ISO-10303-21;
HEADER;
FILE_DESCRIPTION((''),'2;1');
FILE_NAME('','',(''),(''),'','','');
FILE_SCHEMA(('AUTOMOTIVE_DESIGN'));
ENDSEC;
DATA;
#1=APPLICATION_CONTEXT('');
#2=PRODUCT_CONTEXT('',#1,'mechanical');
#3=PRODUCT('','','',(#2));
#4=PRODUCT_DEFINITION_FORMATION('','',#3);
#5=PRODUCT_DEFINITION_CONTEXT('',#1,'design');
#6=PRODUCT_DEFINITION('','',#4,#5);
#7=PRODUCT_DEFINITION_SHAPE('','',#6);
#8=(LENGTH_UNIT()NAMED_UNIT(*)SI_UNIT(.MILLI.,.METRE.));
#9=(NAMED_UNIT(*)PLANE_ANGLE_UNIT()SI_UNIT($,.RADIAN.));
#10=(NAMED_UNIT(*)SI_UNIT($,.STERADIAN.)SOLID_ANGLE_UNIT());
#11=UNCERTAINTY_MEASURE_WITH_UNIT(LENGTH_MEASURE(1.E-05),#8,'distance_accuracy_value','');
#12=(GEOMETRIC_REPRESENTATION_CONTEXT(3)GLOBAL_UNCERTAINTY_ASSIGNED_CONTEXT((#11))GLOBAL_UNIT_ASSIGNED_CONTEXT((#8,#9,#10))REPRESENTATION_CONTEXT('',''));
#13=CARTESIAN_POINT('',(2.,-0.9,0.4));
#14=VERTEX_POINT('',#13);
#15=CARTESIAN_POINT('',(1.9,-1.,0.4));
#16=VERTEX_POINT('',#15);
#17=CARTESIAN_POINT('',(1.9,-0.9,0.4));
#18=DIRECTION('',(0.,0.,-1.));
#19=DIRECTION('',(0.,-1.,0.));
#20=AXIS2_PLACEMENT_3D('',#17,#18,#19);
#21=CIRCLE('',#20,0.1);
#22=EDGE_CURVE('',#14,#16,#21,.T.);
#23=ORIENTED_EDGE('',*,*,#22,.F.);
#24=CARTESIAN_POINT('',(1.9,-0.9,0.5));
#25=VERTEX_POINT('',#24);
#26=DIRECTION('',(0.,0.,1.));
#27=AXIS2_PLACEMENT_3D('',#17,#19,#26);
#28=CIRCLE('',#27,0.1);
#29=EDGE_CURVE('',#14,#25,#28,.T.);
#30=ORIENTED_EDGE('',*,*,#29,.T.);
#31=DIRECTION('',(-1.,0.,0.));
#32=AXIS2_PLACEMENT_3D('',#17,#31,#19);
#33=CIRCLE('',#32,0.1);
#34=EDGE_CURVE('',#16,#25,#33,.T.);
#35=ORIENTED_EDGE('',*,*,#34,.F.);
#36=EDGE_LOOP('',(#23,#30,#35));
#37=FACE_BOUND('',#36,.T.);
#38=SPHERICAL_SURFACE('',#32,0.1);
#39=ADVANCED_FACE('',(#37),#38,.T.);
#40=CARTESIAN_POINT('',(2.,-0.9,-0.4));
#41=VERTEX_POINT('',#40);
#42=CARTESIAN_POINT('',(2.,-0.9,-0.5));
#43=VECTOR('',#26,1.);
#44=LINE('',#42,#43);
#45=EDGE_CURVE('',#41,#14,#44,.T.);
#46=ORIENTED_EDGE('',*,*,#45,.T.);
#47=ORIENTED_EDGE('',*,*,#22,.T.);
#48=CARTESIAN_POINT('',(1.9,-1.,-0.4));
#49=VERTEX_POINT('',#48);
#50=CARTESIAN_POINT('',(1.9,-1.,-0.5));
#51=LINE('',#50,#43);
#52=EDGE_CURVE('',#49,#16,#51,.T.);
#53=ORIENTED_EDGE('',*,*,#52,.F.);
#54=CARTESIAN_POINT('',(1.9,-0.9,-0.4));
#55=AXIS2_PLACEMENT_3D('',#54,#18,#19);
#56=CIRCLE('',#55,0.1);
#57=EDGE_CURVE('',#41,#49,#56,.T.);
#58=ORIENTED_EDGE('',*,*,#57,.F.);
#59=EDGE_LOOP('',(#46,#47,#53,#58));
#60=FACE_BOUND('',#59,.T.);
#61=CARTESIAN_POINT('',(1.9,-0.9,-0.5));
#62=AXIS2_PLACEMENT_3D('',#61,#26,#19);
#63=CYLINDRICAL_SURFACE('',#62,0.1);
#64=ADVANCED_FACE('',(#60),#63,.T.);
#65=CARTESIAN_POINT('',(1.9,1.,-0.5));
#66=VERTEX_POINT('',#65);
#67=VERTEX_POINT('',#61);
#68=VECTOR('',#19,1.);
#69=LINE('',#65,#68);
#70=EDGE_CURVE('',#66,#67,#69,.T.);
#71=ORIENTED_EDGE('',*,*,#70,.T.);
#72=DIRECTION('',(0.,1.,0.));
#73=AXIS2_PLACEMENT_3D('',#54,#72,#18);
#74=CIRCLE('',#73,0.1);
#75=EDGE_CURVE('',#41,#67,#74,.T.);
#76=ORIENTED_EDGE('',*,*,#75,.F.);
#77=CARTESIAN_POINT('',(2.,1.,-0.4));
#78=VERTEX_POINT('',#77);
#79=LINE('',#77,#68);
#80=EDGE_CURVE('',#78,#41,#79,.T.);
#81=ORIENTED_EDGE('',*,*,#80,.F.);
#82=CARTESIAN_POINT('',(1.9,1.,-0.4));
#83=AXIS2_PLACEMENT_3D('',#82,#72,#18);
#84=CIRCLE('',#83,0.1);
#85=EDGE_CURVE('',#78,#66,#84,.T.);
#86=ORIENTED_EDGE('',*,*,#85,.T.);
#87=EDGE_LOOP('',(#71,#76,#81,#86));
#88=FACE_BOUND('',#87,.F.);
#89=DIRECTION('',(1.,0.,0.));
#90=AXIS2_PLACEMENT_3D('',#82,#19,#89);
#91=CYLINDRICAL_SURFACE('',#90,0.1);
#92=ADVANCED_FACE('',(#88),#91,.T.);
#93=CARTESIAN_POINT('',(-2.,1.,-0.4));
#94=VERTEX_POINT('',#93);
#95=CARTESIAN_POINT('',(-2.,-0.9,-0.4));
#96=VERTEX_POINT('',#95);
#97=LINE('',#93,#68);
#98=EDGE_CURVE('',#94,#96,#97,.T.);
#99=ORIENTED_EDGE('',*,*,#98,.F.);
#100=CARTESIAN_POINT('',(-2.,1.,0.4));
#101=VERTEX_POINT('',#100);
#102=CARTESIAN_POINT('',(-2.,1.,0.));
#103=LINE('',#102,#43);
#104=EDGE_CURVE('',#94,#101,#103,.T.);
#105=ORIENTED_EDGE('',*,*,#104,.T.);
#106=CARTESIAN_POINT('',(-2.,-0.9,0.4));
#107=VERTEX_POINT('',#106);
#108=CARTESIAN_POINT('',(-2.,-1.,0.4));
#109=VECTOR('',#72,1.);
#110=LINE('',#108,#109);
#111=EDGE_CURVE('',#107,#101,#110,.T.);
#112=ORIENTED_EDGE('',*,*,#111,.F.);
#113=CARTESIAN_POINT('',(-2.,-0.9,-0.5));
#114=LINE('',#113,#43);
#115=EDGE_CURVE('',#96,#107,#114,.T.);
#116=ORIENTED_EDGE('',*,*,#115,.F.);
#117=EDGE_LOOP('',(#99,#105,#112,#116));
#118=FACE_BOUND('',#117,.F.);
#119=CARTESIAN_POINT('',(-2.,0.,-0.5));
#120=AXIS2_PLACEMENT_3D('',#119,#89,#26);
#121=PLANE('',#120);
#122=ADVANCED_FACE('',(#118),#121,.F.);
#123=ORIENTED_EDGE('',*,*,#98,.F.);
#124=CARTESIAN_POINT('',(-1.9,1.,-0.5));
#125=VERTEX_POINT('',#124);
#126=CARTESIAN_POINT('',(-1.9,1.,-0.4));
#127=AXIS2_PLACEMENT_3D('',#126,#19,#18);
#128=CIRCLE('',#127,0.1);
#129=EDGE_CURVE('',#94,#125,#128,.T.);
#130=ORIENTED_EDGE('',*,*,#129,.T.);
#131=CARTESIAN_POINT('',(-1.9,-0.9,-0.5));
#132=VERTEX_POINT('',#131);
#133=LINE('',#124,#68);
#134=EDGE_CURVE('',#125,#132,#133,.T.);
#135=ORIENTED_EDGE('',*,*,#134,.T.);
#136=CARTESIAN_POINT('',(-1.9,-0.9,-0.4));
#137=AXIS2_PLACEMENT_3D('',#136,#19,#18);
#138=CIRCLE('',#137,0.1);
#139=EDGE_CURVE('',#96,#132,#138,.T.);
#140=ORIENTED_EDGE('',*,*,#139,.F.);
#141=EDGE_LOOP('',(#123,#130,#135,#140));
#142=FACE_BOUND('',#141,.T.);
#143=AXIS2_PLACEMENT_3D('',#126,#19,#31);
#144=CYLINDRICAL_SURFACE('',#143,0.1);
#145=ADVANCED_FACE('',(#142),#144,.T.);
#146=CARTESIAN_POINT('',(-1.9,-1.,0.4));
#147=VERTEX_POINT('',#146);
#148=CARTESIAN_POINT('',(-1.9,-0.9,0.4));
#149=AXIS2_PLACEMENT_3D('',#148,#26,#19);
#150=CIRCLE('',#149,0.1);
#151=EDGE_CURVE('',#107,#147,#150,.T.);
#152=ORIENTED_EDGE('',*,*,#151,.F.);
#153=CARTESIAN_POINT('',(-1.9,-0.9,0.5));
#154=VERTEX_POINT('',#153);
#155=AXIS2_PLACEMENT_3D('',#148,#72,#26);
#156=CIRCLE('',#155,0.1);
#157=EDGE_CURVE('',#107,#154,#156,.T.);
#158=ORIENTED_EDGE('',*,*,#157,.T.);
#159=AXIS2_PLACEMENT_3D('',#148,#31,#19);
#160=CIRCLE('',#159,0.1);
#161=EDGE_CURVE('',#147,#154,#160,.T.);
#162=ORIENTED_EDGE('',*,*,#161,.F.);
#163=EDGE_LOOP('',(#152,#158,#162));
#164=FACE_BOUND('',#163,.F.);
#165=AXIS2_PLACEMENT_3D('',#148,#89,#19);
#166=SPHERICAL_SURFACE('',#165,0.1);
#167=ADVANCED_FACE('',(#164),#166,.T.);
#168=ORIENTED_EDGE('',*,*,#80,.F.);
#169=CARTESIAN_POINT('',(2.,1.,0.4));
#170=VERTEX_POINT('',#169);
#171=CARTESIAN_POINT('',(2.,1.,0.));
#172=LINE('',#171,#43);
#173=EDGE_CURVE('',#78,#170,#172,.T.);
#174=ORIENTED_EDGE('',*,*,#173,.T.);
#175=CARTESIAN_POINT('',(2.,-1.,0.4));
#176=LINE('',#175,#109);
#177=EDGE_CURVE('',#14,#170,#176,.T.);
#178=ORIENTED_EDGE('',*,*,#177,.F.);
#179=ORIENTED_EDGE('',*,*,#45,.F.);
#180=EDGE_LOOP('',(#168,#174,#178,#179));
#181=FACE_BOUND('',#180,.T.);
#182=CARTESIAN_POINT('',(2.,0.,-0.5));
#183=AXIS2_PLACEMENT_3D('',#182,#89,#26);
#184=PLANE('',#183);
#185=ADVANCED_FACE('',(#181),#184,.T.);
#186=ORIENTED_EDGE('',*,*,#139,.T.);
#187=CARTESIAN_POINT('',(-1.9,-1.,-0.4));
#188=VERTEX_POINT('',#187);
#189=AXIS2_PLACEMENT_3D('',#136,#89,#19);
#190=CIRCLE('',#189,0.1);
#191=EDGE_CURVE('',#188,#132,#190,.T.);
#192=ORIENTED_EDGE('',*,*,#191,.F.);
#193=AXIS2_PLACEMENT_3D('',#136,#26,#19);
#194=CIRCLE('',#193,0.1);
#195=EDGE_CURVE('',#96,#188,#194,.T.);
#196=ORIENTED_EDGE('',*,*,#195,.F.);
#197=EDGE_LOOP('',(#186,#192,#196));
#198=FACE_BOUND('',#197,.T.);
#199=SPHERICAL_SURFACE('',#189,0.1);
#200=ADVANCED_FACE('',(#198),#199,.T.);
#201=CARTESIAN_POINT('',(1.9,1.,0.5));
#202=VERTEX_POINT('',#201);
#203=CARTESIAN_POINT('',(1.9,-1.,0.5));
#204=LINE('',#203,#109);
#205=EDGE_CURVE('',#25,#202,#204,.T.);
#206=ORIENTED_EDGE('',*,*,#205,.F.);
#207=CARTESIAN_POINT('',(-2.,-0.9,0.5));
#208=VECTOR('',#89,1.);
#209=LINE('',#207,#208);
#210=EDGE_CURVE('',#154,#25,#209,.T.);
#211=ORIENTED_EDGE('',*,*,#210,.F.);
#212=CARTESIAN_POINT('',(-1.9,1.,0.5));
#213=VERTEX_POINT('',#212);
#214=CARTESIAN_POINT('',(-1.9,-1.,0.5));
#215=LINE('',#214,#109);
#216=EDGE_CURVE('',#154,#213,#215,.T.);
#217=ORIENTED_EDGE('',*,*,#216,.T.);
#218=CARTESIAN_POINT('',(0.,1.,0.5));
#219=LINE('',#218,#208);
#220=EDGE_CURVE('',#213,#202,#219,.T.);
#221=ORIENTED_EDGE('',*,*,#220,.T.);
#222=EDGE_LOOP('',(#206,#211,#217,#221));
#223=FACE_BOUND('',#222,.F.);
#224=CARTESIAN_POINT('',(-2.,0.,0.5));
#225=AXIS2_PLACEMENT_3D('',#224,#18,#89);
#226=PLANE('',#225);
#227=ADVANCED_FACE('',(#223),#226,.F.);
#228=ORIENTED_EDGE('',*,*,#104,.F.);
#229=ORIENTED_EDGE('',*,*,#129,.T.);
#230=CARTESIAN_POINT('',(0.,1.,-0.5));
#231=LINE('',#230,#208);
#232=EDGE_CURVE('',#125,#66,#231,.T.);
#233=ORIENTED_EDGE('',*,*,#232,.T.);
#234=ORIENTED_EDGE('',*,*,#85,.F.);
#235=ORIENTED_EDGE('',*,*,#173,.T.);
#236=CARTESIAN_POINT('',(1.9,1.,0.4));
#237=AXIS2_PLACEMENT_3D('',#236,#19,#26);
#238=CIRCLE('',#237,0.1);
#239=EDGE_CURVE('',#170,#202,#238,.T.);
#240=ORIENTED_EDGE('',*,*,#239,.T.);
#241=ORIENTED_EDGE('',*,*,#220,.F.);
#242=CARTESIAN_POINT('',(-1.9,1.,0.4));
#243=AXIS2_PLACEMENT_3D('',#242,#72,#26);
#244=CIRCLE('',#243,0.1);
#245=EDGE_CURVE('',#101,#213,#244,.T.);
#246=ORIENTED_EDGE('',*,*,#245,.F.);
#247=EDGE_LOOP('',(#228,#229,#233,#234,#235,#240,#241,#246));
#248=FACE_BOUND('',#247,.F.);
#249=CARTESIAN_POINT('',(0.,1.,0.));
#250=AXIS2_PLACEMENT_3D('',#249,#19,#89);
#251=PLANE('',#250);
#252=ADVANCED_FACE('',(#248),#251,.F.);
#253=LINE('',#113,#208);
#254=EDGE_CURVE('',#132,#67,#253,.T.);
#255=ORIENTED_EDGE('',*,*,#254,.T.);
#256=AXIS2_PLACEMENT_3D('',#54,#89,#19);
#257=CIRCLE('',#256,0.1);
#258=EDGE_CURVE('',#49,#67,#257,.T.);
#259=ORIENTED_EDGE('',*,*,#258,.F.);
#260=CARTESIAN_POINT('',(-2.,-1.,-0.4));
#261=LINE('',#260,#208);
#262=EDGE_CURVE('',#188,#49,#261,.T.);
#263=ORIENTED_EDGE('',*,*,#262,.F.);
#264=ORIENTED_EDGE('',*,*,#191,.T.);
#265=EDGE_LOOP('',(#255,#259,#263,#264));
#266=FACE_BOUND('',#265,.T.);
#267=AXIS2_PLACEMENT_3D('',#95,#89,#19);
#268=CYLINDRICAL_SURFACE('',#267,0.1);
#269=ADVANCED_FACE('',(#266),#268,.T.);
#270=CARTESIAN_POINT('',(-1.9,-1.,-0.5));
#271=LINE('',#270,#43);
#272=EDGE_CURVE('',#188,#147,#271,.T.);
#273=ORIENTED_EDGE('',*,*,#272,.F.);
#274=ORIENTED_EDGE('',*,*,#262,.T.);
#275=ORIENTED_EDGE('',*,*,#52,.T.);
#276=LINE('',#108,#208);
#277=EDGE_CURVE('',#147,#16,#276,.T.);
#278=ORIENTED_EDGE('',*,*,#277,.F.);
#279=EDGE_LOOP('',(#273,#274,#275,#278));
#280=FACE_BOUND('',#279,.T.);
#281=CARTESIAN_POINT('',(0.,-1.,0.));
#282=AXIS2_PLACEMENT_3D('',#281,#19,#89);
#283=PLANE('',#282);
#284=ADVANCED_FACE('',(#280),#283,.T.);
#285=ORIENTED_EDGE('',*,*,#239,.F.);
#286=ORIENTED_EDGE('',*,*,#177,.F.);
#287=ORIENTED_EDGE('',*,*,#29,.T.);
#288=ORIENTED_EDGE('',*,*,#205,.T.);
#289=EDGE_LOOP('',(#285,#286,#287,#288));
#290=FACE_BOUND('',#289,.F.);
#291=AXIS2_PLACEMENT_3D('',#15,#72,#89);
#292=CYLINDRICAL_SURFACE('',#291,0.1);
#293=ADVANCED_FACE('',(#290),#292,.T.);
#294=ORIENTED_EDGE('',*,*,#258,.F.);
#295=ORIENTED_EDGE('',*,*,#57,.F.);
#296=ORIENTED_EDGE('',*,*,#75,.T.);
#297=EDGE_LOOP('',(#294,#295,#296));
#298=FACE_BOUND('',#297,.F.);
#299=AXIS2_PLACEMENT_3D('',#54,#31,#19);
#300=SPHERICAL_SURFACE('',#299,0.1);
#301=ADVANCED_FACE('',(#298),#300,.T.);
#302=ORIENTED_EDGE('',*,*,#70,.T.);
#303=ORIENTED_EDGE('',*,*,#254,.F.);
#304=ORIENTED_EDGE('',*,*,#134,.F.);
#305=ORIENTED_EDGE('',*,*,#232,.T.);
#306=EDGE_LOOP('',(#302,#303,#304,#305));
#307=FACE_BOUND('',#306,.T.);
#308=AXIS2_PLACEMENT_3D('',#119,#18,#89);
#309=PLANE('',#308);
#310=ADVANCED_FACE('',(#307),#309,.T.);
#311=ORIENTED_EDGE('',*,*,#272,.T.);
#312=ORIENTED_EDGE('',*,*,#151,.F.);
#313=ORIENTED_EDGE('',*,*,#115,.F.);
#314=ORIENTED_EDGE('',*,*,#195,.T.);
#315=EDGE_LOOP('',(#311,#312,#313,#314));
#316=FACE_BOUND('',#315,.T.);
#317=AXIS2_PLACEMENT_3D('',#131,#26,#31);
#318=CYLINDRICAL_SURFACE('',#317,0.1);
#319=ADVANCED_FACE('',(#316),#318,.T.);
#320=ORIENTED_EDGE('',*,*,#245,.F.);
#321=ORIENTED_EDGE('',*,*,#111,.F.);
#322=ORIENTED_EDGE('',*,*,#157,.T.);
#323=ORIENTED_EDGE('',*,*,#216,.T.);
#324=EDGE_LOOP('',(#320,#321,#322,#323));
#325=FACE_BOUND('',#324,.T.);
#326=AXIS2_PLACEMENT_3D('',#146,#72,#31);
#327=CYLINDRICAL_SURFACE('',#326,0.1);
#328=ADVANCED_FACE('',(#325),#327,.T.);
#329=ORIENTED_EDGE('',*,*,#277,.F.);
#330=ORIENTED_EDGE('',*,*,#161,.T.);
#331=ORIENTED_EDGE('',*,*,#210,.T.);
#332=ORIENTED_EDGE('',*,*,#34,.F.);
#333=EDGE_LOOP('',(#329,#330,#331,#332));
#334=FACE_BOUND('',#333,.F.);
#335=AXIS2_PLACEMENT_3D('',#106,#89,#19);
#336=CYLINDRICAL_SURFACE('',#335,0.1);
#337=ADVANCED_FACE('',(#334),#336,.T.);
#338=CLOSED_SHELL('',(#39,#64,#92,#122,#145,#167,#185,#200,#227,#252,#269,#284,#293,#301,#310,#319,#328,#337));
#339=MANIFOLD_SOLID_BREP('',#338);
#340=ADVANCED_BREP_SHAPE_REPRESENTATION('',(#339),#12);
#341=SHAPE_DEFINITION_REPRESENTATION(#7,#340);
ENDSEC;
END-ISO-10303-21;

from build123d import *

# Parameters (mm, degrees)
F0_W     = 4
F0_H     = 1
F1_DEPTH = 1
F2_R     = 0.1


with BuildPart() as f1:
    # F0 (on Front) → F1 (new body, symmetric)
    with BuildSketch(Plane.XZ):
        Rectangle(F0_W, F0_H)
    extrude(amount=F1_DEPTH, both=True)

    # F2
    f2_edges = [f1.edges().sort_by_distance(p)[0] for p in [
        (0, -1, -0.5),
        (0, -1, 0.5),
        (2, -1, 0),
        (-2, -1, 0),
        (-2, 0, 0.5),
        (2, 0, 0.5),
        (2, 0, -0.5),
        (-2, 0, -0.5),
    ]]
    fillet(f2_edges, radius=F2_R)


solid = f1.part
